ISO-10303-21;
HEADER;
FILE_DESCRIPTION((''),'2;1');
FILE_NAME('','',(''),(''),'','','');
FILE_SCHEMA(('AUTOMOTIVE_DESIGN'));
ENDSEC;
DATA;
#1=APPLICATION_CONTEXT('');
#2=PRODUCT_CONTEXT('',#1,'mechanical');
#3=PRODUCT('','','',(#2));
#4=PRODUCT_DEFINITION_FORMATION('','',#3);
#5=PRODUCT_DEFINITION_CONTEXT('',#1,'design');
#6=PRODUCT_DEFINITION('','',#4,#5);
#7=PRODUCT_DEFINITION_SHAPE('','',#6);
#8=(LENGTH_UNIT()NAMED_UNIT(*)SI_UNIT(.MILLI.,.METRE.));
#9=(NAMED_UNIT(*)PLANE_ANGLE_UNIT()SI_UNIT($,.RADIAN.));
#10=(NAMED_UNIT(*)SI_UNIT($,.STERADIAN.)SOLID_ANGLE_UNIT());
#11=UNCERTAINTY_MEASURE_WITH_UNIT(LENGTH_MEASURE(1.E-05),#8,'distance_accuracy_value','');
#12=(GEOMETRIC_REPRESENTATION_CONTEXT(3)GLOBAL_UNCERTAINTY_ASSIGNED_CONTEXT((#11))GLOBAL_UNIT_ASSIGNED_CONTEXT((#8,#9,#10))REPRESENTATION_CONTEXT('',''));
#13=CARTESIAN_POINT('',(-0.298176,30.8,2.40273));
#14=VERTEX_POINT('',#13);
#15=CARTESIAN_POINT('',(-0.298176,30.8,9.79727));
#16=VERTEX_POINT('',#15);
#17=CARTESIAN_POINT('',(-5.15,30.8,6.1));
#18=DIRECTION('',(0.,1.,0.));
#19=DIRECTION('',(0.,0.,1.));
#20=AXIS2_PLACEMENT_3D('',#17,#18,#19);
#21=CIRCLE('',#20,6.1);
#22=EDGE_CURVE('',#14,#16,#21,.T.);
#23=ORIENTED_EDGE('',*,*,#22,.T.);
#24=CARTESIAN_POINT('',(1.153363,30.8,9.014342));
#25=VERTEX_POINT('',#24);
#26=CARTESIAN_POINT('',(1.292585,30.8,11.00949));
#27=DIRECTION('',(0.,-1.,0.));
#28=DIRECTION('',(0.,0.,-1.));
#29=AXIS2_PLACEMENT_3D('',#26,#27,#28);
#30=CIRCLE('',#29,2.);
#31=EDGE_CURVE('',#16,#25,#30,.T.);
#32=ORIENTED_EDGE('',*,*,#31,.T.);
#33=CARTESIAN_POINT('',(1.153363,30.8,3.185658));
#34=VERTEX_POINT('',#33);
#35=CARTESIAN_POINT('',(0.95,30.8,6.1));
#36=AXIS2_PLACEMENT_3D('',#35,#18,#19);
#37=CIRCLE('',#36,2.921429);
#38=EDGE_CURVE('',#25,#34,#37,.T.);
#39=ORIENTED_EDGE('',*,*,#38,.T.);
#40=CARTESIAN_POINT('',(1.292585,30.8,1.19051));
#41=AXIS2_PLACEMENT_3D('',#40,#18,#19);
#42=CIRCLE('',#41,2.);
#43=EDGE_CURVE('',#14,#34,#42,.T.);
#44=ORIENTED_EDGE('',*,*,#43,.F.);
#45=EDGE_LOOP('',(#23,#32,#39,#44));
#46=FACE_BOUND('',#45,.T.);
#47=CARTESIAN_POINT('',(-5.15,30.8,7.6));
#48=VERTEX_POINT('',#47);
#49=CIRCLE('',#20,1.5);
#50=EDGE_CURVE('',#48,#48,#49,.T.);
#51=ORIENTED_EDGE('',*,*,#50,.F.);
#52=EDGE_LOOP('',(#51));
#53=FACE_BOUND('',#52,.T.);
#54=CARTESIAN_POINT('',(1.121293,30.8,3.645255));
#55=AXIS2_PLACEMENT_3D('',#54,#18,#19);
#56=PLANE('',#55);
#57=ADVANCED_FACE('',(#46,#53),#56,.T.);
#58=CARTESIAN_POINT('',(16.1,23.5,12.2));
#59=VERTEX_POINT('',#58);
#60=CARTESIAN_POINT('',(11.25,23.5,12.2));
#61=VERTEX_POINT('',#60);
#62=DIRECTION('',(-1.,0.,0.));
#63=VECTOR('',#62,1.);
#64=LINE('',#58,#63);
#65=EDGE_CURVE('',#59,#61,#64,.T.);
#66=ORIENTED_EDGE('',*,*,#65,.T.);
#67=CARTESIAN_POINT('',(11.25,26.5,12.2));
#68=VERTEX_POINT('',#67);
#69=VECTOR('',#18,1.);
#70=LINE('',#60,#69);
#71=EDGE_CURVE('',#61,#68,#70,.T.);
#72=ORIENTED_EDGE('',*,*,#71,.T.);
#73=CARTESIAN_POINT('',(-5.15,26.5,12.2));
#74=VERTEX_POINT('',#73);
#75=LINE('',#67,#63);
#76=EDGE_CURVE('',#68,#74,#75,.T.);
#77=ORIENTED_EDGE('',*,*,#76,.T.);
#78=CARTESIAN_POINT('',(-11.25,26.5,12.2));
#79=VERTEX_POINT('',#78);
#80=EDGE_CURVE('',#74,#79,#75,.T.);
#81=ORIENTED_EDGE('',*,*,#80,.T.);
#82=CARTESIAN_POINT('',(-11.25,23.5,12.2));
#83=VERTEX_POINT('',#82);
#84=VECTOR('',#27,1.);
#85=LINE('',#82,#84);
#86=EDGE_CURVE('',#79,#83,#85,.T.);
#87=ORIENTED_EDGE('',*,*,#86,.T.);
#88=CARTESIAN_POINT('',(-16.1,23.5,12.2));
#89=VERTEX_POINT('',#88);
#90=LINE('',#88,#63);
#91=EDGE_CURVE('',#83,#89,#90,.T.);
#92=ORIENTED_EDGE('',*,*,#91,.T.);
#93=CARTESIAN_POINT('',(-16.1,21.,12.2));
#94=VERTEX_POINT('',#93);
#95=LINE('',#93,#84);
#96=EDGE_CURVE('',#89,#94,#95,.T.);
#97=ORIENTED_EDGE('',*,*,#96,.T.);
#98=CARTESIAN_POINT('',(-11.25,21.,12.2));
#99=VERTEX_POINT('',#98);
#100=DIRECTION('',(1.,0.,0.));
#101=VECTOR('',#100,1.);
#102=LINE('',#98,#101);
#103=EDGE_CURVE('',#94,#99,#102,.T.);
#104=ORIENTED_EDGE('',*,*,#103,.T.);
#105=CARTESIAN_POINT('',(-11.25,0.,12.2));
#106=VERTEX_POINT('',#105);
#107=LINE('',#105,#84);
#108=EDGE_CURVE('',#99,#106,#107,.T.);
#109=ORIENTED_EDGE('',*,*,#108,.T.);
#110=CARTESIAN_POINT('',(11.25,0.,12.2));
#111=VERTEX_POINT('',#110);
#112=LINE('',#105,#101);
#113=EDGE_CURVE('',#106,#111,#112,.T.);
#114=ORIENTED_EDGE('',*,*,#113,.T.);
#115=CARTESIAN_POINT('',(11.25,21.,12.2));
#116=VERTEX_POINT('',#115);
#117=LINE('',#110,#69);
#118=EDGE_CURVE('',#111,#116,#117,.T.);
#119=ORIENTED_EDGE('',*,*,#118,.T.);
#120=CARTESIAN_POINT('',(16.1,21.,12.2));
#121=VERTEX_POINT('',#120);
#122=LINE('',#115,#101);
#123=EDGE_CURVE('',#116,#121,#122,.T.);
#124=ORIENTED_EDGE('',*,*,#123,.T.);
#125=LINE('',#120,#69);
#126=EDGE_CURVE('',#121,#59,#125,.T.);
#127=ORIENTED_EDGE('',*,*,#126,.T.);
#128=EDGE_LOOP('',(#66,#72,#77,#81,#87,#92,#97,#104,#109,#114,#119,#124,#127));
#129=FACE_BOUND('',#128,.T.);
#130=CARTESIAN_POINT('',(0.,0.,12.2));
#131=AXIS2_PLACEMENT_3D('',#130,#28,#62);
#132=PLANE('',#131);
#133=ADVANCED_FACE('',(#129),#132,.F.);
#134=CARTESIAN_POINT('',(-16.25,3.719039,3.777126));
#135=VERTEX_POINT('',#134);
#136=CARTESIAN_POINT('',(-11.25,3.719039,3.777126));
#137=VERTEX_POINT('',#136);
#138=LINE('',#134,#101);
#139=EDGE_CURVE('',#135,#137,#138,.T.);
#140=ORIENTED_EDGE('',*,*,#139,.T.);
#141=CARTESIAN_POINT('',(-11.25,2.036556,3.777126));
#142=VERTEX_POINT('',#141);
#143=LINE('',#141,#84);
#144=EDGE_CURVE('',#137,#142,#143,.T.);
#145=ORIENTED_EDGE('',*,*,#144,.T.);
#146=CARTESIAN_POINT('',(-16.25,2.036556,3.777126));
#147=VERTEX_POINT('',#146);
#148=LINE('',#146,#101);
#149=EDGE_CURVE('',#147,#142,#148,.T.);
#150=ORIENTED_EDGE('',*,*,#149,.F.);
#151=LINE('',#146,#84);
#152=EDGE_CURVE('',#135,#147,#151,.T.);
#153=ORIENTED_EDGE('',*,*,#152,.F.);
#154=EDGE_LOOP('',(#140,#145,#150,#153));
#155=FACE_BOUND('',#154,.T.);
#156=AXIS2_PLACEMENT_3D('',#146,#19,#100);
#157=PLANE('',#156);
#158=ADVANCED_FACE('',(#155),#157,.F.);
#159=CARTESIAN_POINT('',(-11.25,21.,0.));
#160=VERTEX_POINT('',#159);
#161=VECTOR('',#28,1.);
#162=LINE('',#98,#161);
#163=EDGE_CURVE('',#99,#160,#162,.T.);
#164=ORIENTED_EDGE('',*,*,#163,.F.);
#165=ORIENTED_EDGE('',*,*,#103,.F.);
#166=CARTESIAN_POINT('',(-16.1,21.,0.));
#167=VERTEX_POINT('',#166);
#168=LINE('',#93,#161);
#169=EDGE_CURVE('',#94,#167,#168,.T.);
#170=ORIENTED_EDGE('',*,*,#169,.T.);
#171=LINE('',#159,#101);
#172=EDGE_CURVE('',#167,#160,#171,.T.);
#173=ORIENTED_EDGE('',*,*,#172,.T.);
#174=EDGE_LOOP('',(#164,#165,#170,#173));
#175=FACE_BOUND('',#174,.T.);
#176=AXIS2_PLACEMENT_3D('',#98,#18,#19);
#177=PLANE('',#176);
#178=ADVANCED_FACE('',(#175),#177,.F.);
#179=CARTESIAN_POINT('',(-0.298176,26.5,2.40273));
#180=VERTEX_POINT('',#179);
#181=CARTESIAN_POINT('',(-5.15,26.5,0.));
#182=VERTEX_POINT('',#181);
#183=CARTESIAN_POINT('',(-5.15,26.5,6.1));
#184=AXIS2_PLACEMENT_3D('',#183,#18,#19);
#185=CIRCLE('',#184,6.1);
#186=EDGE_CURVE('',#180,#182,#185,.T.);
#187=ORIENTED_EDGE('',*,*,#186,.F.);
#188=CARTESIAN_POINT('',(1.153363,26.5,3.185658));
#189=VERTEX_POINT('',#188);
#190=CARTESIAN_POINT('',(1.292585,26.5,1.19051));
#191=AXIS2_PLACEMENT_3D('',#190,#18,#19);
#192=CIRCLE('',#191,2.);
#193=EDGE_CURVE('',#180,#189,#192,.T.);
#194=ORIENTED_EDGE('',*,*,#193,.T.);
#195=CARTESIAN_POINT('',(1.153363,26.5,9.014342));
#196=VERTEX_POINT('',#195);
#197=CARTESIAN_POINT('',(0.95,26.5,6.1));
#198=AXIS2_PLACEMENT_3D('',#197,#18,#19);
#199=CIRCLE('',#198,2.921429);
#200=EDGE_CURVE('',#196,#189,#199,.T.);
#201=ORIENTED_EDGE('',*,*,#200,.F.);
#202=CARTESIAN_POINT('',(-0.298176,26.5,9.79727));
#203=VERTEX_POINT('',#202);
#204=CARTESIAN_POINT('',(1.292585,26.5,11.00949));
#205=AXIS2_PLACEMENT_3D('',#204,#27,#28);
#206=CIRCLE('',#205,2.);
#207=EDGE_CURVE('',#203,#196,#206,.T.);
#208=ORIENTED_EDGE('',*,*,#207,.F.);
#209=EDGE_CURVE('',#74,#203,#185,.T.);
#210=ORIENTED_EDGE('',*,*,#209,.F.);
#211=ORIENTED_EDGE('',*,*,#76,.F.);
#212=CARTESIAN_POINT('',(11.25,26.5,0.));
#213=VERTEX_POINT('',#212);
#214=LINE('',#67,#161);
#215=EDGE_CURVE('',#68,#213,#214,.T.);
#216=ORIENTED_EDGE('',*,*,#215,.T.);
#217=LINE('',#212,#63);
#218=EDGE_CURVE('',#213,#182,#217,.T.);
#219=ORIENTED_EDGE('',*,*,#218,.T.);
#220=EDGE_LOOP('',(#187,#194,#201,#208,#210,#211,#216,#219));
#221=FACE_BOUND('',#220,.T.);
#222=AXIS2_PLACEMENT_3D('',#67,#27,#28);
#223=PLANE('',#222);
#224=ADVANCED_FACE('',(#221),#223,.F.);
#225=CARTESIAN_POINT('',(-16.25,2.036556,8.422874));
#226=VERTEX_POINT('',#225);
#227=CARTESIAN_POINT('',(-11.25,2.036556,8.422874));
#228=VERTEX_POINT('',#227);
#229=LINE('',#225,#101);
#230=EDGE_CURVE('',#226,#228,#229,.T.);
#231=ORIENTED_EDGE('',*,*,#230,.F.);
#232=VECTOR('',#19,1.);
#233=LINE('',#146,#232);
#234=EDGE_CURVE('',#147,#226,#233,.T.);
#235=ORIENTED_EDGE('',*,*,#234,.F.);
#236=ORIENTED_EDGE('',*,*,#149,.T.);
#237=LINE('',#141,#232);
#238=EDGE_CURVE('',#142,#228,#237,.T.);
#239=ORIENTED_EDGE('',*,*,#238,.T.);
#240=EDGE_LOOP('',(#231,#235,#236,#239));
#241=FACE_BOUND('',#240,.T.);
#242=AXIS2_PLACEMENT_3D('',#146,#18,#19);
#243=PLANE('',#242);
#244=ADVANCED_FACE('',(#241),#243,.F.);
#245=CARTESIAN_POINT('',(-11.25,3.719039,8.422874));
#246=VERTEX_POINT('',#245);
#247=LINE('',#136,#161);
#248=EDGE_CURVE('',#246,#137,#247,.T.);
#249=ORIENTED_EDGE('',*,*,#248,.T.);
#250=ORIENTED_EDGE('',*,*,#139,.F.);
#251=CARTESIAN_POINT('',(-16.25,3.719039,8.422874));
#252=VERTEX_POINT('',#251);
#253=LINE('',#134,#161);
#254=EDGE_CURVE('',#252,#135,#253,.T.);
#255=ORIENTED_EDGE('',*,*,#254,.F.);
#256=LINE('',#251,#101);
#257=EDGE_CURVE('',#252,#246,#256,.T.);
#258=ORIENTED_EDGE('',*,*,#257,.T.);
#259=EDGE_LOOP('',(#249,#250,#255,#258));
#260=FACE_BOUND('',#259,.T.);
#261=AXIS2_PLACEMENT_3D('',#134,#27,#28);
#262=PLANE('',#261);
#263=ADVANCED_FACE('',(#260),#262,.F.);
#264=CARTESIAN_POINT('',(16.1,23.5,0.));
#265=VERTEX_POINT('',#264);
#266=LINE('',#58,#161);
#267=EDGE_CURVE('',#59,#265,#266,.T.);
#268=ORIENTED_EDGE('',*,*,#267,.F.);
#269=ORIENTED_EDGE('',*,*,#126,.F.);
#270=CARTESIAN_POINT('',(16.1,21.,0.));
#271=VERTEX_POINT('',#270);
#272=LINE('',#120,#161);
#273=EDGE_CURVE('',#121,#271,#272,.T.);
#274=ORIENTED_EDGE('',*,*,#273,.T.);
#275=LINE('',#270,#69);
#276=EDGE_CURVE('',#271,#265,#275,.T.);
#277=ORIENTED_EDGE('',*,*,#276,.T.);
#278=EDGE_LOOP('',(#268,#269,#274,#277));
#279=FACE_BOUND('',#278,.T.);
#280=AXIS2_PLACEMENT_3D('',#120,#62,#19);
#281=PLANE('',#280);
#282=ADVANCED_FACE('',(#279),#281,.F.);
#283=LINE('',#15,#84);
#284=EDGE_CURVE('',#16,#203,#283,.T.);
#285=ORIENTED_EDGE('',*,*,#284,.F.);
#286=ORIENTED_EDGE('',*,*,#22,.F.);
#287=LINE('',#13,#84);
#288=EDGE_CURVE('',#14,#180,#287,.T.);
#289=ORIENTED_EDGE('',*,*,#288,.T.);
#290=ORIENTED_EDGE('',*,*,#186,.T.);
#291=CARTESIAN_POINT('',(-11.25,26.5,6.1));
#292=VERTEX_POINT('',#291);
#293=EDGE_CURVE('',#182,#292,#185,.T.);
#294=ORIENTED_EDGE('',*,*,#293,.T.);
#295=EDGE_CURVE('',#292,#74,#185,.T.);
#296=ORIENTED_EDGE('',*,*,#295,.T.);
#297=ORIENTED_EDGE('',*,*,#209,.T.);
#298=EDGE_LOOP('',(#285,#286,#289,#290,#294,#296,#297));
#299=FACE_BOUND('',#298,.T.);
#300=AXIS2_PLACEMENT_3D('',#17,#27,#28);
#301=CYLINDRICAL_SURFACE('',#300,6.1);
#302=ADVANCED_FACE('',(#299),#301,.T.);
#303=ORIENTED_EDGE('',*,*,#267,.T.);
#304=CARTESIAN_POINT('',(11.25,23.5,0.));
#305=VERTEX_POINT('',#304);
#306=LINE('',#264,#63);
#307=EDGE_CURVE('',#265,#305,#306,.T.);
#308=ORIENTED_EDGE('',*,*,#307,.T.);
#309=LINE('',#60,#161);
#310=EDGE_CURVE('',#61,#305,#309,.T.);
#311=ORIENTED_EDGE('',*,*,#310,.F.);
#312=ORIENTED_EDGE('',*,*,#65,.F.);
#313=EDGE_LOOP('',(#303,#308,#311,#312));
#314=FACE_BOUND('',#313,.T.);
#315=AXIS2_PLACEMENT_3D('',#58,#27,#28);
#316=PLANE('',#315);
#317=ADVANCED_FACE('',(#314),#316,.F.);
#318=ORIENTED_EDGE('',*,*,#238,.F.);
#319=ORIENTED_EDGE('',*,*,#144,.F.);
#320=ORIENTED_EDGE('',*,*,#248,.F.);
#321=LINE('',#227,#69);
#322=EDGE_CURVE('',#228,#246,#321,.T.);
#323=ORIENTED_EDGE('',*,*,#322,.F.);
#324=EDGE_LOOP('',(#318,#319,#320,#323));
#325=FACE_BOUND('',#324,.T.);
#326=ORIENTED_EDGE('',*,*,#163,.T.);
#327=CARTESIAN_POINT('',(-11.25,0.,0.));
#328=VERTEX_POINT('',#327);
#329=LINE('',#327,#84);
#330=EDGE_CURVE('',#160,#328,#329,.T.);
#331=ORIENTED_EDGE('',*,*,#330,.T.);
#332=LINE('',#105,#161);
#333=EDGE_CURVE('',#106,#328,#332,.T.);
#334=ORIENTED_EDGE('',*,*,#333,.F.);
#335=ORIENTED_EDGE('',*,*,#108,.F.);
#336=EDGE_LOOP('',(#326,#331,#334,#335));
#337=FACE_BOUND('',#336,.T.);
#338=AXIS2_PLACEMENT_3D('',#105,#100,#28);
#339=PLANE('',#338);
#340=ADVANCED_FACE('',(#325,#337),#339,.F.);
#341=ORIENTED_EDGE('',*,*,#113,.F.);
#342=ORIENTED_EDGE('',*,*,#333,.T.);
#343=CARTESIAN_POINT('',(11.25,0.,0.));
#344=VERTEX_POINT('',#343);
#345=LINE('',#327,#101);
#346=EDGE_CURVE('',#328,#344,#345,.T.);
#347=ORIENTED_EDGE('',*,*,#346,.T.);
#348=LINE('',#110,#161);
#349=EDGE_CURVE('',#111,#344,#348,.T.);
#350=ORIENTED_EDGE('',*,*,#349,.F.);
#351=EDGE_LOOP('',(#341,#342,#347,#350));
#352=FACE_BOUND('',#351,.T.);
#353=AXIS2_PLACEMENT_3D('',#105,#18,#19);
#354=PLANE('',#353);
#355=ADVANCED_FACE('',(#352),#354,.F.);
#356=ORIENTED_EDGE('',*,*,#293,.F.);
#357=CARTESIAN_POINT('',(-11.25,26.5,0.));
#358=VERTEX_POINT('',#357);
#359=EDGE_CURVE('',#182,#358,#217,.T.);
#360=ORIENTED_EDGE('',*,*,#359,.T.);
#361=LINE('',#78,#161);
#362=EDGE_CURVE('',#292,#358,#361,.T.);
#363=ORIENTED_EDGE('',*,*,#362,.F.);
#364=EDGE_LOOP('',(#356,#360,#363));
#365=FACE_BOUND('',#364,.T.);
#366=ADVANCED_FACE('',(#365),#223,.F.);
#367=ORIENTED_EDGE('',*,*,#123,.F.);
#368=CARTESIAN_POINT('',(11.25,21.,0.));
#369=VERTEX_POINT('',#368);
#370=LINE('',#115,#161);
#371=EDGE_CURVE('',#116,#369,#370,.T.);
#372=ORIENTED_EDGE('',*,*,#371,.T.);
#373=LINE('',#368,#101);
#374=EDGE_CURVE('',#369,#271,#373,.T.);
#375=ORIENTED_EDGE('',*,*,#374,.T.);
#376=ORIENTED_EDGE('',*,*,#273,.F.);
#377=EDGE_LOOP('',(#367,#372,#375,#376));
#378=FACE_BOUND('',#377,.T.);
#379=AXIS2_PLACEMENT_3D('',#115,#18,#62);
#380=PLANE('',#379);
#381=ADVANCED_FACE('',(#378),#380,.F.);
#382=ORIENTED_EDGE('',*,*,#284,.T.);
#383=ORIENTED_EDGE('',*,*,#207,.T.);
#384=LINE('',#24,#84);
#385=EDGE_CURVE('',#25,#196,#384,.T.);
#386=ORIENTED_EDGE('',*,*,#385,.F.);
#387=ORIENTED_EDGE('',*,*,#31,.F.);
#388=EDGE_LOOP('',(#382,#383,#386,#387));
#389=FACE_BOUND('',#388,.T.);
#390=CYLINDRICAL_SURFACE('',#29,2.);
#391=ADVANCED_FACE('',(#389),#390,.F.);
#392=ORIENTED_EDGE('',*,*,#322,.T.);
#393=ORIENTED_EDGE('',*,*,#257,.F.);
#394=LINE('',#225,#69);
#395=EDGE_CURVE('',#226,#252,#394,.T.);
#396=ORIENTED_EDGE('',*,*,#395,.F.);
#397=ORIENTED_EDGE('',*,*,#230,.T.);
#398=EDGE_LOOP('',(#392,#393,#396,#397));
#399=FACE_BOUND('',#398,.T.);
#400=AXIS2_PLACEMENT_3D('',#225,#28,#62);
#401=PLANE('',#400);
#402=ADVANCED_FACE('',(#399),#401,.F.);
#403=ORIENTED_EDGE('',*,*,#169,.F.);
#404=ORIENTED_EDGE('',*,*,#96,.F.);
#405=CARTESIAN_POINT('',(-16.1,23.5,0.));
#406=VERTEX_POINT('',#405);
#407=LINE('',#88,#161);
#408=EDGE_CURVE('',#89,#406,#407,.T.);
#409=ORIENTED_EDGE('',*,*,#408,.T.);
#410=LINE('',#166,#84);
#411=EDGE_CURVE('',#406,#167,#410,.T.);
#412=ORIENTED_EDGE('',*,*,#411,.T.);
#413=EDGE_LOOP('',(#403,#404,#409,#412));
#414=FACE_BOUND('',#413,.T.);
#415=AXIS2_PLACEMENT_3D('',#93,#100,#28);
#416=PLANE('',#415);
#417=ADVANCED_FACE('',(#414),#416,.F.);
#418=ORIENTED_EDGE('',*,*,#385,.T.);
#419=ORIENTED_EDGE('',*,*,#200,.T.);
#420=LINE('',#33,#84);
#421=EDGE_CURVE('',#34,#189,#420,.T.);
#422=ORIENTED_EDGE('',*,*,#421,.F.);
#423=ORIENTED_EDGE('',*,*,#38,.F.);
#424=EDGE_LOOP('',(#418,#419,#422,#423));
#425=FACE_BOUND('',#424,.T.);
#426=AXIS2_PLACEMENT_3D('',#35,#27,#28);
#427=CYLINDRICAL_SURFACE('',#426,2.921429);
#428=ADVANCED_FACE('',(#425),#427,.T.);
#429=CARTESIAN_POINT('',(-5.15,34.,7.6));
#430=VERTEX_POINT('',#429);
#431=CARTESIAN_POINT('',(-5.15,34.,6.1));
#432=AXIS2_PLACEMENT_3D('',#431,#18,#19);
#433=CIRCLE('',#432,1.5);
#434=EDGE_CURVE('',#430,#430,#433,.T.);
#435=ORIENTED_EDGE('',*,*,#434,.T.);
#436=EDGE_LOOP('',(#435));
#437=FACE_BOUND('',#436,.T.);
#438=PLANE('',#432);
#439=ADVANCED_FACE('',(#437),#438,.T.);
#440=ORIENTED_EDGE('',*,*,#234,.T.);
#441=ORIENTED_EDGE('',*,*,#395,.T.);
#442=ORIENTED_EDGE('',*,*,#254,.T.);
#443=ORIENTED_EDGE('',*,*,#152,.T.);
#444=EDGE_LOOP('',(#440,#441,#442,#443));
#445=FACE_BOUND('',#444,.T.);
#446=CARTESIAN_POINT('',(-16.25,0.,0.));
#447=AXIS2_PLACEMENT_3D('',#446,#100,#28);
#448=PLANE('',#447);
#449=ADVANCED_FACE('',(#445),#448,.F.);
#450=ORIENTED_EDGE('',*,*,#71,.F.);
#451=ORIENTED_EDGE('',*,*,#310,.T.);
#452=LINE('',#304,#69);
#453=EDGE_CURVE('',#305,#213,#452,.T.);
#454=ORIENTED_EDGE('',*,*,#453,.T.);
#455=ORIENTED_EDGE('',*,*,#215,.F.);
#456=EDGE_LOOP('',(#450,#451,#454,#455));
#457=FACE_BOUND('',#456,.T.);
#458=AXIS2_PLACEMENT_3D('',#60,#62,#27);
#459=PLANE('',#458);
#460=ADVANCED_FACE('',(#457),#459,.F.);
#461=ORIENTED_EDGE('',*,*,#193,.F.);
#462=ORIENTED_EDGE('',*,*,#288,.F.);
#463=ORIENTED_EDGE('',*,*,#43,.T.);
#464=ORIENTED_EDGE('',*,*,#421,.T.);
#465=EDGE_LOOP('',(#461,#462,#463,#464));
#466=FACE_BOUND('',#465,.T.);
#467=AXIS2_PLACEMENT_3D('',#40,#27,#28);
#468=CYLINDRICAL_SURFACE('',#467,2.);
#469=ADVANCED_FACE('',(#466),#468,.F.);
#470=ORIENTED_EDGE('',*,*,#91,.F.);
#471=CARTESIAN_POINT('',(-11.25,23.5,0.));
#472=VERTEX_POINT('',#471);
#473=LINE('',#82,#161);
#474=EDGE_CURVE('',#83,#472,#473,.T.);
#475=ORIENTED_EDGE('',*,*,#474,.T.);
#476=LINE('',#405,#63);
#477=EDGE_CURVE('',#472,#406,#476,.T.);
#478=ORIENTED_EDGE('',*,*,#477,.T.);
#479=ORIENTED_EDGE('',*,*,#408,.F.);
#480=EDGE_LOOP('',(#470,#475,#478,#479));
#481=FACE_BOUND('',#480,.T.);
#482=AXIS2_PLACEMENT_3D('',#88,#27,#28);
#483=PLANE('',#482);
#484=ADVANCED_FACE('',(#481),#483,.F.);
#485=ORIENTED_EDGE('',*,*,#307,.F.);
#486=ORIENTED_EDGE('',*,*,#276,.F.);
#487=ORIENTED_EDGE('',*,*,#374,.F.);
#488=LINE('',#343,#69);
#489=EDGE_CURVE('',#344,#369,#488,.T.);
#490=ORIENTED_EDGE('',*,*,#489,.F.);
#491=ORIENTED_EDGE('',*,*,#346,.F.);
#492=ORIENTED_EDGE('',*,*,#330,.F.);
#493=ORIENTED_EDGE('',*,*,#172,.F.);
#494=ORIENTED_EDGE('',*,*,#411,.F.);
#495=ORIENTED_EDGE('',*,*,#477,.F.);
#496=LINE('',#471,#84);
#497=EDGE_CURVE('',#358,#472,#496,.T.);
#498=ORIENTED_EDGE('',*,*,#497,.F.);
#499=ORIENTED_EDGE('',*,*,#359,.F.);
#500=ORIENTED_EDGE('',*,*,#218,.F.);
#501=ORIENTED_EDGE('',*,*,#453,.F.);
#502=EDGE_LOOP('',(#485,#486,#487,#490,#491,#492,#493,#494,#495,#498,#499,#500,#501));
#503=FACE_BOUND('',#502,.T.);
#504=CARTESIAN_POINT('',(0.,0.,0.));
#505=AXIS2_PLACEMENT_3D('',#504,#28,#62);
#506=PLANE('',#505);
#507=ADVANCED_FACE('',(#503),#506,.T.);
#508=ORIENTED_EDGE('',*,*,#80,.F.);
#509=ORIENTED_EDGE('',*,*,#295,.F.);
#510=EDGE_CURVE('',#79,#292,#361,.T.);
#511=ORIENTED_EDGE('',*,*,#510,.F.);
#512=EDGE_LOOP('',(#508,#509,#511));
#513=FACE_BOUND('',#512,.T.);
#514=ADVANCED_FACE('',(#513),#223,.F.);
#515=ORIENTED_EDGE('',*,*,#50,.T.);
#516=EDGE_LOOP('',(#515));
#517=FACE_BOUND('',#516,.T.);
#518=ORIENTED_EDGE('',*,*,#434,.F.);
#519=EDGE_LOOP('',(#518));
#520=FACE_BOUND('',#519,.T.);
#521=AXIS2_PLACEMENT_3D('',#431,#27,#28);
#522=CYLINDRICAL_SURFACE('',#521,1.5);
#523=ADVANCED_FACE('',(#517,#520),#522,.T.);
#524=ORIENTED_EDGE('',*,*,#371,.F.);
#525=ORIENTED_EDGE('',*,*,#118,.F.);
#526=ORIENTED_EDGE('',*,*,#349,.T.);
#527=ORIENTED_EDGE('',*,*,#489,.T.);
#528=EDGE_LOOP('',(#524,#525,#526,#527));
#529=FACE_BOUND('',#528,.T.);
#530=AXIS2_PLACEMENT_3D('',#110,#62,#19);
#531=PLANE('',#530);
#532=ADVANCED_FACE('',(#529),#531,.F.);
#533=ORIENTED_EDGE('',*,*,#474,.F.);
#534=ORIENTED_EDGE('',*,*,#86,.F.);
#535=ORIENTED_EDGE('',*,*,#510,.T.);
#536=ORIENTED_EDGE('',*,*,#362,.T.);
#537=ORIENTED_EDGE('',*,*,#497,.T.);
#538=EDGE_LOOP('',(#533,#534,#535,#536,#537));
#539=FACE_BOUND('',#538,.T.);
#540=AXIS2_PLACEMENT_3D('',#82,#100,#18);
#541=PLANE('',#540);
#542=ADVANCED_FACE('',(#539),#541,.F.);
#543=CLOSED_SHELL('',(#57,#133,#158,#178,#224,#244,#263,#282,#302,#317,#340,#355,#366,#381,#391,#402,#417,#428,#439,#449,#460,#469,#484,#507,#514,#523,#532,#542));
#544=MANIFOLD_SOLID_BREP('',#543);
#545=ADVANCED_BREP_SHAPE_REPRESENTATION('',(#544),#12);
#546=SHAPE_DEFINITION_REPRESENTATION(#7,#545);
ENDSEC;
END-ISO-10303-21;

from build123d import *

# Parameters (mm, degrees)
BOSS_EXTRUDE1_DEPTH = 12.2
BOSS_EXTRUDE2_DEPTH = 4.3
SKETCH3_R           = 1.5
BOSS_EXTRUDE3_DEPTH = 3.2
SKETCH4_W           = 4.645747774
SKETCH4_H           = 1.682483887
BOSS_EXTRUDE4_DEPTH = 5


with BuildPart() as part:
    # Sketch1 → Boss-Extrude1 (new body)
    with BuildSketch(Plane.XY):
        Polygon((-11.25, 0), (11.25, 0), (11.25, 21), (16.1, 21), (16.1, 23.5), (11.25, 23.5), (11.25, 26.5), (-11.25, 26.5), (-11.25, 23.5), (-16.1, 23.5), (-16.1, 21), (-11.25, 21), align=None)
    extrude(amount=BOSS_EXTRUDE1_DEPTH)

    # Sketch2 → Boss-Extrude2 (add)
    with BuildSketch(Plane(origin=(0, 26.5, 0), x_dir=(1, 0, 0), z_dir=(0, 1, 0))):
        with BuildLine():
            ThreePointArc((-0.298176495, -2.402729564), (-11.25, -6.1), (-0.298176495, -9.797270436))
            ThreePointArc((-0.298176495, -9.797270436), (0.343135361, -9.249221864), (1.153363413, -9.014341819))
            ThreePointArc((1.153363413, -9.014341819), (3.871428575, -6.1), (1.153363413, -3.185658181))
            ThreePointArc((1.153363413, -3.185658181), (0.343135361, -2.950778136), (-0.298176495, -2.402729564))
        make_face()
    extrude(amount=BOSS_EXTRUDE2_DEPTH)

    # Sketch3 → Boss-Extrude3 (add)
    with BuildSketch(Plane(origin=(0, 30.8, 0), x_dir=(1, 0, 0), z_dir=(0, 1, 0))):
        with Locations(Location((-5.15, -6.1, 0), (0, 0, 270))):
            Circle(SKETCH3_R)
    extrude(amount=BOSS_EXTRUDE3_DEPTH)

    # Sketch4 → Boss-Extrude4 (add)
    with BuildSketch(Plane.ZY.offset(11.25)):
        with Locations((6.1, 2.87779749)):
            Rectangle(SKETCH4_W, SKETCH4_H)
    extrude(amount=BOSS_EXTRUDE4_DEPTH)


solid = part.part
